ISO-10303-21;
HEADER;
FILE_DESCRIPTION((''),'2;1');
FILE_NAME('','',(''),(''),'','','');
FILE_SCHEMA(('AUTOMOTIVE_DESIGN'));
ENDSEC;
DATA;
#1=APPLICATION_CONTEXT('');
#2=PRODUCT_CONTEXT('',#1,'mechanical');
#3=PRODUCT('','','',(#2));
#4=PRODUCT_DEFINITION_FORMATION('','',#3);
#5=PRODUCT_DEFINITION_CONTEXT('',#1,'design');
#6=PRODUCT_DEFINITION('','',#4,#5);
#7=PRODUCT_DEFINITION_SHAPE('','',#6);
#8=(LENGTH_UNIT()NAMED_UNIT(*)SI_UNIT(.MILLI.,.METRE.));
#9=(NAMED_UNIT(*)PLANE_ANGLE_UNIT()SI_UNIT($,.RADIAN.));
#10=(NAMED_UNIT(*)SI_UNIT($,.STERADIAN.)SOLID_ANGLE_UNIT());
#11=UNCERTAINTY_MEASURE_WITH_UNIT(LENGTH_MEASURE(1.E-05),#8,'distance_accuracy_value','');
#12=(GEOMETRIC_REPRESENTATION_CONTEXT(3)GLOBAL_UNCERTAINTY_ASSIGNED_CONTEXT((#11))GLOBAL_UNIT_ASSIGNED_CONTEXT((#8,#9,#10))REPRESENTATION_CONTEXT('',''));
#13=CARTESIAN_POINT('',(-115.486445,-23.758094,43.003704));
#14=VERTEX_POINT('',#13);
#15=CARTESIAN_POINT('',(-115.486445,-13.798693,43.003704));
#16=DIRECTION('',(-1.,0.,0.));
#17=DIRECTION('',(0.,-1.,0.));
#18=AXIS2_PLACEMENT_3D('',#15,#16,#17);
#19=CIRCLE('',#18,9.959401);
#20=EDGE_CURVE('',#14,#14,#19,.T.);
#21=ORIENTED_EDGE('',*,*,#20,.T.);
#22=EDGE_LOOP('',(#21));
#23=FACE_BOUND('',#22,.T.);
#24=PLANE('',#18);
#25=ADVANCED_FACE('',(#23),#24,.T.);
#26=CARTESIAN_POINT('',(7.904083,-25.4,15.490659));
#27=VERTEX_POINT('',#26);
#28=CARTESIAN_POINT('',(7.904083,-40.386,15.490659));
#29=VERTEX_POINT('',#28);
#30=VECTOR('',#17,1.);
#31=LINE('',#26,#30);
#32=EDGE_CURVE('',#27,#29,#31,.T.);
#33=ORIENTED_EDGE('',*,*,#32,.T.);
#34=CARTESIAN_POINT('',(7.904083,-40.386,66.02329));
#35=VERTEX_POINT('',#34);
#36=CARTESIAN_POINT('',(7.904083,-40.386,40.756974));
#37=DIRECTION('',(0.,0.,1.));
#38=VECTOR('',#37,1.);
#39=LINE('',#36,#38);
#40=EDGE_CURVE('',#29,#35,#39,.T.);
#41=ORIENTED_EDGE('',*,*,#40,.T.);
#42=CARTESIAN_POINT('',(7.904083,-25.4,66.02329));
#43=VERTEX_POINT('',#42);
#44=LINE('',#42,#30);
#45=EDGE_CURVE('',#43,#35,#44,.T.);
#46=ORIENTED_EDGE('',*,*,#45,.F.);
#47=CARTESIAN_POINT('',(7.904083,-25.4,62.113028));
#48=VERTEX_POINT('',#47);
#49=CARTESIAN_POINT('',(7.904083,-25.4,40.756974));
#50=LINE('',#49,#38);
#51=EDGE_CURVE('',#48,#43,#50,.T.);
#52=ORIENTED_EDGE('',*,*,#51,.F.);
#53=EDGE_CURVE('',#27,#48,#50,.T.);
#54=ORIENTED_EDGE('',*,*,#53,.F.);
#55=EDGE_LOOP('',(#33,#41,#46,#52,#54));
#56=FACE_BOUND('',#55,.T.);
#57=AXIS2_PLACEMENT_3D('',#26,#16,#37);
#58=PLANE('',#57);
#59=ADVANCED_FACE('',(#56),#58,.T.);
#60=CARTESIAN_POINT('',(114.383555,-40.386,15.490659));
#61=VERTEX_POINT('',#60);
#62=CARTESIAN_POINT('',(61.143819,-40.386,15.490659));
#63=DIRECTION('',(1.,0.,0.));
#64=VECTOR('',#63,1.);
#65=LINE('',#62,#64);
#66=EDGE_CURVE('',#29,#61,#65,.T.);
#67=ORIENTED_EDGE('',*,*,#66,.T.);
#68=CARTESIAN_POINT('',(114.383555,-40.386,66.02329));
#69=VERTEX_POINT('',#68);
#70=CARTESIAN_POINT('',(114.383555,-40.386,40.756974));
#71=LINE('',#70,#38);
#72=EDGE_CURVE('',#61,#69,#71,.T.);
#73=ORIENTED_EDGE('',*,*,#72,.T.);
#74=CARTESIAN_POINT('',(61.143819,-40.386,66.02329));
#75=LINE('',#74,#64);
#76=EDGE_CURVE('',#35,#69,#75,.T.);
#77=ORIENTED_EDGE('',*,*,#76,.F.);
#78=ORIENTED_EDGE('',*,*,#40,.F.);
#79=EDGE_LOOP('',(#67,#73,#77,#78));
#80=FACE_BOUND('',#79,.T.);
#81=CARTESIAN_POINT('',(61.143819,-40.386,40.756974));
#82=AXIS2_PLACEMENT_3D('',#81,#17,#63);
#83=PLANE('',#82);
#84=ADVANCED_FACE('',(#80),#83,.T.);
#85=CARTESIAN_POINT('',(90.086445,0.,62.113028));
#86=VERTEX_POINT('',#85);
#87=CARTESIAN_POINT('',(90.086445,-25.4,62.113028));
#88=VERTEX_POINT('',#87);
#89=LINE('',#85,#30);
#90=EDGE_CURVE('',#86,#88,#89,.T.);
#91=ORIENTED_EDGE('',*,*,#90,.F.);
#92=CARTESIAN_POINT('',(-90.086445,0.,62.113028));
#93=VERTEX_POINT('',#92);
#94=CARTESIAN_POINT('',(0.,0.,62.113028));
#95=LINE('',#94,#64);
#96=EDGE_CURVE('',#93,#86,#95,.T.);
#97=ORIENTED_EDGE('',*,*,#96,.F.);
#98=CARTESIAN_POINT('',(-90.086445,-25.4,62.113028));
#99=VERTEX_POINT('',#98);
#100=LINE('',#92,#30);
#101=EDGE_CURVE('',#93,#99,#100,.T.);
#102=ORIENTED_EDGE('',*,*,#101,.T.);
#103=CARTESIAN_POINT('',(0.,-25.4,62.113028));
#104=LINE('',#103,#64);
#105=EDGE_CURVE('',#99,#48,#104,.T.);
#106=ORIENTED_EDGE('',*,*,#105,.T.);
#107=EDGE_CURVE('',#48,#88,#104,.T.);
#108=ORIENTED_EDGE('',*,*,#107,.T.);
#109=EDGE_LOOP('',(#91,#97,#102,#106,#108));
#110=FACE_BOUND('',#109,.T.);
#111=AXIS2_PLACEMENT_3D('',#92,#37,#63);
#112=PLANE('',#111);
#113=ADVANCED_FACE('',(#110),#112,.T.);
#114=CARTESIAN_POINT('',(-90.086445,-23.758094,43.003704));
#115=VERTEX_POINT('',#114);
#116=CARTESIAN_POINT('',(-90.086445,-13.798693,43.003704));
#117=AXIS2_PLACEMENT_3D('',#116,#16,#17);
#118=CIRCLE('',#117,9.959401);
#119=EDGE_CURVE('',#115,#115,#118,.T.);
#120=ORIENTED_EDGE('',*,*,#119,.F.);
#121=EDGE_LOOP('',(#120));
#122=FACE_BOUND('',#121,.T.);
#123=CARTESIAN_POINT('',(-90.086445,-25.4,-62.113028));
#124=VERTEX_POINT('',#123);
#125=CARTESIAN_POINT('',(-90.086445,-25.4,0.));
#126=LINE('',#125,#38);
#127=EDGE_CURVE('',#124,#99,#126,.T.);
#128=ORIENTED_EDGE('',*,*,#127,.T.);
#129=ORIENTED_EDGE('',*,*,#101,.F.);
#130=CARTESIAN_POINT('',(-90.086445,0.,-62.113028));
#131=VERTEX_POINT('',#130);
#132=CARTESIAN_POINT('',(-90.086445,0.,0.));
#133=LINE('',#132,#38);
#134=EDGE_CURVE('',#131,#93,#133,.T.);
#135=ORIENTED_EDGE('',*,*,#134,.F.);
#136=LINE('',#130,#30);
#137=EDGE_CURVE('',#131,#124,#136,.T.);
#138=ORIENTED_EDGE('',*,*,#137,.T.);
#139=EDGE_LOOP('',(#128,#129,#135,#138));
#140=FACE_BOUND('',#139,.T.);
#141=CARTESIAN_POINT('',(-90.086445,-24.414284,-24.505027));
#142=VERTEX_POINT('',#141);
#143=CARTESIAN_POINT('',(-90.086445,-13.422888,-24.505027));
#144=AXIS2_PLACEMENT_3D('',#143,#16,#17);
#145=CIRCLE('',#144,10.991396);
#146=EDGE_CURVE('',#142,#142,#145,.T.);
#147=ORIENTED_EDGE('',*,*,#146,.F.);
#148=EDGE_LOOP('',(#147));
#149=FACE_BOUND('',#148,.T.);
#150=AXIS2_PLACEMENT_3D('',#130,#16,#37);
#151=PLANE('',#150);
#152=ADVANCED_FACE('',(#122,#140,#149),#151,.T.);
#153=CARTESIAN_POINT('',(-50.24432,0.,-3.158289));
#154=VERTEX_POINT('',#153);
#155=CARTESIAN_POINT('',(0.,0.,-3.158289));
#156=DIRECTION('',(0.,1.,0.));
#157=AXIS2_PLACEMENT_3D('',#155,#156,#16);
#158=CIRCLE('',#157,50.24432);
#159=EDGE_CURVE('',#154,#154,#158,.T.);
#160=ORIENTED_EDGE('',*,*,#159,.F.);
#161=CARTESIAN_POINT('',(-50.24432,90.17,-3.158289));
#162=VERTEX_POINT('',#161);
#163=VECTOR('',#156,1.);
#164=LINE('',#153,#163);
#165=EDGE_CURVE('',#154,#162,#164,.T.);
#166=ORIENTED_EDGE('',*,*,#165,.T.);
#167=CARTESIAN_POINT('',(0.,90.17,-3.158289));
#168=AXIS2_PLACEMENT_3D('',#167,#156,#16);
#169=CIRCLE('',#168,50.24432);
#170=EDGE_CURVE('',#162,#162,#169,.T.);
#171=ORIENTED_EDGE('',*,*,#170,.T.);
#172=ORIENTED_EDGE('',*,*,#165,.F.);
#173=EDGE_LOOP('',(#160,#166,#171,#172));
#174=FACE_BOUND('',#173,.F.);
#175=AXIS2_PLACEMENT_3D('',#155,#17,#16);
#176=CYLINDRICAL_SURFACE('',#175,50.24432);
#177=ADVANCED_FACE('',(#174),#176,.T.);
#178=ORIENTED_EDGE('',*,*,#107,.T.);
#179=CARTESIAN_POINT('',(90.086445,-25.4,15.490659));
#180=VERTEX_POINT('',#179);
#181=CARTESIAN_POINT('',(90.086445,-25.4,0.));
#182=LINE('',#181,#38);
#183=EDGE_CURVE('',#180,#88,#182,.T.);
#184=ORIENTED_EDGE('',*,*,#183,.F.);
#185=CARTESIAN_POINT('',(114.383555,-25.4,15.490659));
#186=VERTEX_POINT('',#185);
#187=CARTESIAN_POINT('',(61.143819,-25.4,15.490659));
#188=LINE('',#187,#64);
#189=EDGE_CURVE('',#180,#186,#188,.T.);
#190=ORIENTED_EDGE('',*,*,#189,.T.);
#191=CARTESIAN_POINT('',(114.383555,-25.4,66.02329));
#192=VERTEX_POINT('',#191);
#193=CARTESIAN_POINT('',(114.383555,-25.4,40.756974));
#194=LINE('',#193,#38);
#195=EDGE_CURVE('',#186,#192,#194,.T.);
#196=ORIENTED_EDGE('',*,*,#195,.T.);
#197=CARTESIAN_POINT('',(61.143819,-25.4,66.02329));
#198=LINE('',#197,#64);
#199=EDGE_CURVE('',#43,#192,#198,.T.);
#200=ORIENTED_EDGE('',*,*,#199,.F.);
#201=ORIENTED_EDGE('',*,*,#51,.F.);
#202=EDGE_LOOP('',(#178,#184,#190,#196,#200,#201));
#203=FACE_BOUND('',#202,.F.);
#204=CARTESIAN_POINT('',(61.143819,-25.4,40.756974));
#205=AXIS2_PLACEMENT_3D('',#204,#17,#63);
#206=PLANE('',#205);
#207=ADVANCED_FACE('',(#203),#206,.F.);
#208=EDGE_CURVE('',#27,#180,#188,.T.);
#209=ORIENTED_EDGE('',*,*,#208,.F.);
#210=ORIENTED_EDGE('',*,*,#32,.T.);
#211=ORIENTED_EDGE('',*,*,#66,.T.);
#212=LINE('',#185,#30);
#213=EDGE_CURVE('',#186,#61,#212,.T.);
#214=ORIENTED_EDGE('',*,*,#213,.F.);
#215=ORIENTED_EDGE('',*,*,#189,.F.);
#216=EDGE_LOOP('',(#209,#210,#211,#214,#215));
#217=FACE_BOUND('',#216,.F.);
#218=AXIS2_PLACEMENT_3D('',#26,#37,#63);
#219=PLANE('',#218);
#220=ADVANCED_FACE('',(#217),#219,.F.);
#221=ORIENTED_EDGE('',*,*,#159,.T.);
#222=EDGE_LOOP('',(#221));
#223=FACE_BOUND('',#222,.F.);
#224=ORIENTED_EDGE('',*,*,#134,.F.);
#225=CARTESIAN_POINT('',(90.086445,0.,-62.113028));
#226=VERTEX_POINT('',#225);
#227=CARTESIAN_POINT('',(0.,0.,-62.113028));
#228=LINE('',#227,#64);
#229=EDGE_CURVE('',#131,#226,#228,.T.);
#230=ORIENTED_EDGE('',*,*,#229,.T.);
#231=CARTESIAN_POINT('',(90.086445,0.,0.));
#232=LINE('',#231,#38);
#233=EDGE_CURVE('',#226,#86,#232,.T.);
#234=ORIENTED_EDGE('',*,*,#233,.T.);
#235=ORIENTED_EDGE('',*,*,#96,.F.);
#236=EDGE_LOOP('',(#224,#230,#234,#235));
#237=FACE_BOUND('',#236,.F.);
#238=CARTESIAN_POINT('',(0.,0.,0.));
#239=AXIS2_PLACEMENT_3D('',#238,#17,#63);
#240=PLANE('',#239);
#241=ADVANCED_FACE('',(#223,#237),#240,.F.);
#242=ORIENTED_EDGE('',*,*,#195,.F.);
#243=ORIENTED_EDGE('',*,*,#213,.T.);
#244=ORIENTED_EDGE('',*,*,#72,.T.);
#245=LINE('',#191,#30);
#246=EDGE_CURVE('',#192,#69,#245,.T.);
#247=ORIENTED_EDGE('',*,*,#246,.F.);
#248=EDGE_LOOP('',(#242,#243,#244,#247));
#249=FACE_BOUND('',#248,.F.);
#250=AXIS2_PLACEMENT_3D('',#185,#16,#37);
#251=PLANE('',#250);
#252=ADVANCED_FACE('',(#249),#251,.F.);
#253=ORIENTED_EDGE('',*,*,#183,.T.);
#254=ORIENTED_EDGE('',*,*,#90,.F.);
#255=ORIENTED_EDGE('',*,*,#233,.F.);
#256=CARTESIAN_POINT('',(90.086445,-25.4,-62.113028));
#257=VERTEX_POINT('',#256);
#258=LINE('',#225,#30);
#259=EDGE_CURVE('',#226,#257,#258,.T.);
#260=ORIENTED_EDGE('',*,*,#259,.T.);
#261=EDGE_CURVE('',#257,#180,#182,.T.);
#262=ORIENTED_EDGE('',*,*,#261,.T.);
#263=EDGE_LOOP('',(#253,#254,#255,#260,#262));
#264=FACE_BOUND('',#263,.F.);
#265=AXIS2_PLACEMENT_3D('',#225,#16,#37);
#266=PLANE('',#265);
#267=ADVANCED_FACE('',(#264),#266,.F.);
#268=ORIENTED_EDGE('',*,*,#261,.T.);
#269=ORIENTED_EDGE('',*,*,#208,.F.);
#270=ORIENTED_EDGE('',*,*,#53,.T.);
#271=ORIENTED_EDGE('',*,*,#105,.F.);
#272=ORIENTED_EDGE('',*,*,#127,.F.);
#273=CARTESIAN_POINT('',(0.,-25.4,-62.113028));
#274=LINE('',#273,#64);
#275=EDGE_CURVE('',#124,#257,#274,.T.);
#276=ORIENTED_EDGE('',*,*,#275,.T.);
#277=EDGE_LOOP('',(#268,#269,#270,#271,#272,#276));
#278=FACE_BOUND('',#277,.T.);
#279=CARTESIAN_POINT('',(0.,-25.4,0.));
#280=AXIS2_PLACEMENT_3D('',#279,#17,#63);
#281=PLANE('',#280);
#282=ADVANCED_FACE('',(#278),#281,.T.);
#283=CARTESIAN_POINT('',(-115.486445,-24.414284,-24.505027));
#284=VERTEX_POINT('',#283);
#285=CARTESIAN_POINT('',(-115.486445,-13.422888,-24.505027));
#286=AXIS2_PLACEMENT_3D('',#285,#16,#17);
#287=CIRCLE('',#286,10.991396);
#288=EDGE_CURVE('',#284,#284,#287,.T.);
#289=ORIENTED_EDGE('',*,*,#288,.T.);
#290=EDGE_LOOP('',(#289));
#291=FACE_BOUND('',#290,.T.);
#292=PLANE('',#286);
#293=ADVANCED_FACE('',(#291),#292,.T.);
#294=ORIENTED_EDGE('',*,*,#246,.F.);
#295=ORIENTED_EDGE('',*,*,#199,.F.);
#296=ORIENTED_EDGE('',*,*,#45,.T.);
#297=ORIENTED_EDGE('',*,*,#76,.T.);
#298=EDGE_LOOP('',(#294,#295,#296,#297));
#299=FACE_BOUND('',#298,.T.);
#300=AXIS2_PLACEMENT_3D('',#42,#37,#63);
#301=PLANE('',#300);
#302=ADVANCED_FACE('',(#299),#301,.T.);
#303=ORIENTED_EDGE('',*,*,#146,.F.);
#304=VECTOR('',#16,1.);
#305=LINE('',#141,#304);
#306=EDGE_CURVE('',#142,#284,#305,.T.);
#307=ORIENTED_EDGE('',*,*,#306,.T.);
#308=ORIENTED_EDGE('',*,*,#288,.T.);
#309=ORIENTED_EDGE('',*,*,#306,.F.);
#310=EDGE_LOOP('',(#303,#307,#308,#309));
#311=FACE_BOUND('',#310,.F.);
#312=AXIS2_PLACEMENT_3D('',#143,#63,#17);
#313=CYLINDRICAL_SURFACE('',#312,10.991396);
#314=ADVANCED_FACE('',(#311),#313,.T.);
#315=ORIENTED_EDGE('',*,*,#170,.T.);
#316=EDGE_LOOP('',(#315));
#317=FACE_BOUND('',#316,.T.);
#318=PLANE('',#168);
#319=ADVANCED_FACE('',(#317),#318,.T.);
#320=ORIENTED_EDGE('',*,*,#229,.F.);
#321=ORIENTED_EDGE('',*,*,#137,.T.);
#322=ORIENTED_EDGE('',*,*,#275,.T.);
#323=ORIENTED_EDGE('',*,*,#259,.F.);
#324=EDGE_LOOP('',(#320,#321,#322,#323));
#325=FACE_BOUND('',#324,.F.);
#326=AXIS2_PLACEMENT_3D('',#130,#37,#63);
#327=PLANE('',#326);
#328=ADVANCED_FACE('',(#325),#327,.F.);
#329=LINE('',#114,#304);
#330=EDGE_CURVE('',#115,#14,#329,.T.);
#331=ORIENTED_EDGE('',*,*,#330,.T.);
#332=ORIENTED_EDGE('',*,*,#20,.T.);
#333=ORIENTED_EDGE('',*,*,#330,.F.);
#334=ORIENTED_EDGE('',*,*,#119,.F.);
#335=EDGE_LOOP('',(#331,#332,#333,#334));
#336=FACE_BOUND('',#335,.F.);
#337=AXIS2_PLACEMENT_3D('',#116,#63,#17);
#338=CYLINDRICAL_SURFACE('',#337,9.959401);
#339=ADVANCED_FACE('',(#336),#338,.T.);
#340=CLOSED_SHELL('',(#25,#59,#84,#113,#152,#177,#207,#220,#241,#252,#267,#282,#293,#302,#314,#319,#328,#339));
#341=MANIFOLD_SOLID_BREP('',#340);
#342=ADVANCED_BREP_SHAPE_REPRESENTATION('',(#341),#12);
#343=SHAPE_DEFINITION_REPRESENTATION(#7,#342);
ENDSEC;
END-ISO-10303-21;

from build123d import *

# Parameters (mm, degrees)
F0_W     = 180.17289
F0_H     = 124.226056
F1_DEPTH = 25.4
F2_R     = 9.959401
F2_R_2   = 10.991396
F3_DEPTH = 25.4
F4_R     = 50.24432
F5_DEPTH = 90.17
F6_W     = 106.479473
F6_H     = 50.532631
F7_DEPTH = 14.986


with BuildPart() as f1:
    # F0 (on Front) → F1 (new body)
    with BuildSketch(Plane.XZ):
        Rectangle(F0_W, F0_H)
    extrude(amount=F1_DEPTH)

    # F2 (on face) → F3 (join)
    with BuildSketch(Plane(origin=(-90.086445, 0, 0), x_dir=(0, -1, 0), z_dir=(-1, 0, 0))):
        with Locations((13.798693, 43.003704)):
            Circle(F2_R)
        with Locations((13.422888, -24.505027)):
            Circle(F2_R_2)
    extrude(amount=F3_DEPTH)

    # F4 (on face) → F5 (join)
    with BuildSketch(Plane(origin=(0, 0, 0), x_dir=(-1, 0, 0), z_dir=(0, 1, 0))):
        with Locations((0, -3.158289)):
            Circle(F4_R)
    extrude(amount=F5_DEPTH)

    # F6 (on face) → F7 (join)
    with BuildSketch(Plane.XZ.offset(25.4)):
        with Locations((61.143819, 40.756974)):
            Rectangle(F6_W, F6_H)
    extrude(amount=F7_DEPTH)


solid = f1.part
